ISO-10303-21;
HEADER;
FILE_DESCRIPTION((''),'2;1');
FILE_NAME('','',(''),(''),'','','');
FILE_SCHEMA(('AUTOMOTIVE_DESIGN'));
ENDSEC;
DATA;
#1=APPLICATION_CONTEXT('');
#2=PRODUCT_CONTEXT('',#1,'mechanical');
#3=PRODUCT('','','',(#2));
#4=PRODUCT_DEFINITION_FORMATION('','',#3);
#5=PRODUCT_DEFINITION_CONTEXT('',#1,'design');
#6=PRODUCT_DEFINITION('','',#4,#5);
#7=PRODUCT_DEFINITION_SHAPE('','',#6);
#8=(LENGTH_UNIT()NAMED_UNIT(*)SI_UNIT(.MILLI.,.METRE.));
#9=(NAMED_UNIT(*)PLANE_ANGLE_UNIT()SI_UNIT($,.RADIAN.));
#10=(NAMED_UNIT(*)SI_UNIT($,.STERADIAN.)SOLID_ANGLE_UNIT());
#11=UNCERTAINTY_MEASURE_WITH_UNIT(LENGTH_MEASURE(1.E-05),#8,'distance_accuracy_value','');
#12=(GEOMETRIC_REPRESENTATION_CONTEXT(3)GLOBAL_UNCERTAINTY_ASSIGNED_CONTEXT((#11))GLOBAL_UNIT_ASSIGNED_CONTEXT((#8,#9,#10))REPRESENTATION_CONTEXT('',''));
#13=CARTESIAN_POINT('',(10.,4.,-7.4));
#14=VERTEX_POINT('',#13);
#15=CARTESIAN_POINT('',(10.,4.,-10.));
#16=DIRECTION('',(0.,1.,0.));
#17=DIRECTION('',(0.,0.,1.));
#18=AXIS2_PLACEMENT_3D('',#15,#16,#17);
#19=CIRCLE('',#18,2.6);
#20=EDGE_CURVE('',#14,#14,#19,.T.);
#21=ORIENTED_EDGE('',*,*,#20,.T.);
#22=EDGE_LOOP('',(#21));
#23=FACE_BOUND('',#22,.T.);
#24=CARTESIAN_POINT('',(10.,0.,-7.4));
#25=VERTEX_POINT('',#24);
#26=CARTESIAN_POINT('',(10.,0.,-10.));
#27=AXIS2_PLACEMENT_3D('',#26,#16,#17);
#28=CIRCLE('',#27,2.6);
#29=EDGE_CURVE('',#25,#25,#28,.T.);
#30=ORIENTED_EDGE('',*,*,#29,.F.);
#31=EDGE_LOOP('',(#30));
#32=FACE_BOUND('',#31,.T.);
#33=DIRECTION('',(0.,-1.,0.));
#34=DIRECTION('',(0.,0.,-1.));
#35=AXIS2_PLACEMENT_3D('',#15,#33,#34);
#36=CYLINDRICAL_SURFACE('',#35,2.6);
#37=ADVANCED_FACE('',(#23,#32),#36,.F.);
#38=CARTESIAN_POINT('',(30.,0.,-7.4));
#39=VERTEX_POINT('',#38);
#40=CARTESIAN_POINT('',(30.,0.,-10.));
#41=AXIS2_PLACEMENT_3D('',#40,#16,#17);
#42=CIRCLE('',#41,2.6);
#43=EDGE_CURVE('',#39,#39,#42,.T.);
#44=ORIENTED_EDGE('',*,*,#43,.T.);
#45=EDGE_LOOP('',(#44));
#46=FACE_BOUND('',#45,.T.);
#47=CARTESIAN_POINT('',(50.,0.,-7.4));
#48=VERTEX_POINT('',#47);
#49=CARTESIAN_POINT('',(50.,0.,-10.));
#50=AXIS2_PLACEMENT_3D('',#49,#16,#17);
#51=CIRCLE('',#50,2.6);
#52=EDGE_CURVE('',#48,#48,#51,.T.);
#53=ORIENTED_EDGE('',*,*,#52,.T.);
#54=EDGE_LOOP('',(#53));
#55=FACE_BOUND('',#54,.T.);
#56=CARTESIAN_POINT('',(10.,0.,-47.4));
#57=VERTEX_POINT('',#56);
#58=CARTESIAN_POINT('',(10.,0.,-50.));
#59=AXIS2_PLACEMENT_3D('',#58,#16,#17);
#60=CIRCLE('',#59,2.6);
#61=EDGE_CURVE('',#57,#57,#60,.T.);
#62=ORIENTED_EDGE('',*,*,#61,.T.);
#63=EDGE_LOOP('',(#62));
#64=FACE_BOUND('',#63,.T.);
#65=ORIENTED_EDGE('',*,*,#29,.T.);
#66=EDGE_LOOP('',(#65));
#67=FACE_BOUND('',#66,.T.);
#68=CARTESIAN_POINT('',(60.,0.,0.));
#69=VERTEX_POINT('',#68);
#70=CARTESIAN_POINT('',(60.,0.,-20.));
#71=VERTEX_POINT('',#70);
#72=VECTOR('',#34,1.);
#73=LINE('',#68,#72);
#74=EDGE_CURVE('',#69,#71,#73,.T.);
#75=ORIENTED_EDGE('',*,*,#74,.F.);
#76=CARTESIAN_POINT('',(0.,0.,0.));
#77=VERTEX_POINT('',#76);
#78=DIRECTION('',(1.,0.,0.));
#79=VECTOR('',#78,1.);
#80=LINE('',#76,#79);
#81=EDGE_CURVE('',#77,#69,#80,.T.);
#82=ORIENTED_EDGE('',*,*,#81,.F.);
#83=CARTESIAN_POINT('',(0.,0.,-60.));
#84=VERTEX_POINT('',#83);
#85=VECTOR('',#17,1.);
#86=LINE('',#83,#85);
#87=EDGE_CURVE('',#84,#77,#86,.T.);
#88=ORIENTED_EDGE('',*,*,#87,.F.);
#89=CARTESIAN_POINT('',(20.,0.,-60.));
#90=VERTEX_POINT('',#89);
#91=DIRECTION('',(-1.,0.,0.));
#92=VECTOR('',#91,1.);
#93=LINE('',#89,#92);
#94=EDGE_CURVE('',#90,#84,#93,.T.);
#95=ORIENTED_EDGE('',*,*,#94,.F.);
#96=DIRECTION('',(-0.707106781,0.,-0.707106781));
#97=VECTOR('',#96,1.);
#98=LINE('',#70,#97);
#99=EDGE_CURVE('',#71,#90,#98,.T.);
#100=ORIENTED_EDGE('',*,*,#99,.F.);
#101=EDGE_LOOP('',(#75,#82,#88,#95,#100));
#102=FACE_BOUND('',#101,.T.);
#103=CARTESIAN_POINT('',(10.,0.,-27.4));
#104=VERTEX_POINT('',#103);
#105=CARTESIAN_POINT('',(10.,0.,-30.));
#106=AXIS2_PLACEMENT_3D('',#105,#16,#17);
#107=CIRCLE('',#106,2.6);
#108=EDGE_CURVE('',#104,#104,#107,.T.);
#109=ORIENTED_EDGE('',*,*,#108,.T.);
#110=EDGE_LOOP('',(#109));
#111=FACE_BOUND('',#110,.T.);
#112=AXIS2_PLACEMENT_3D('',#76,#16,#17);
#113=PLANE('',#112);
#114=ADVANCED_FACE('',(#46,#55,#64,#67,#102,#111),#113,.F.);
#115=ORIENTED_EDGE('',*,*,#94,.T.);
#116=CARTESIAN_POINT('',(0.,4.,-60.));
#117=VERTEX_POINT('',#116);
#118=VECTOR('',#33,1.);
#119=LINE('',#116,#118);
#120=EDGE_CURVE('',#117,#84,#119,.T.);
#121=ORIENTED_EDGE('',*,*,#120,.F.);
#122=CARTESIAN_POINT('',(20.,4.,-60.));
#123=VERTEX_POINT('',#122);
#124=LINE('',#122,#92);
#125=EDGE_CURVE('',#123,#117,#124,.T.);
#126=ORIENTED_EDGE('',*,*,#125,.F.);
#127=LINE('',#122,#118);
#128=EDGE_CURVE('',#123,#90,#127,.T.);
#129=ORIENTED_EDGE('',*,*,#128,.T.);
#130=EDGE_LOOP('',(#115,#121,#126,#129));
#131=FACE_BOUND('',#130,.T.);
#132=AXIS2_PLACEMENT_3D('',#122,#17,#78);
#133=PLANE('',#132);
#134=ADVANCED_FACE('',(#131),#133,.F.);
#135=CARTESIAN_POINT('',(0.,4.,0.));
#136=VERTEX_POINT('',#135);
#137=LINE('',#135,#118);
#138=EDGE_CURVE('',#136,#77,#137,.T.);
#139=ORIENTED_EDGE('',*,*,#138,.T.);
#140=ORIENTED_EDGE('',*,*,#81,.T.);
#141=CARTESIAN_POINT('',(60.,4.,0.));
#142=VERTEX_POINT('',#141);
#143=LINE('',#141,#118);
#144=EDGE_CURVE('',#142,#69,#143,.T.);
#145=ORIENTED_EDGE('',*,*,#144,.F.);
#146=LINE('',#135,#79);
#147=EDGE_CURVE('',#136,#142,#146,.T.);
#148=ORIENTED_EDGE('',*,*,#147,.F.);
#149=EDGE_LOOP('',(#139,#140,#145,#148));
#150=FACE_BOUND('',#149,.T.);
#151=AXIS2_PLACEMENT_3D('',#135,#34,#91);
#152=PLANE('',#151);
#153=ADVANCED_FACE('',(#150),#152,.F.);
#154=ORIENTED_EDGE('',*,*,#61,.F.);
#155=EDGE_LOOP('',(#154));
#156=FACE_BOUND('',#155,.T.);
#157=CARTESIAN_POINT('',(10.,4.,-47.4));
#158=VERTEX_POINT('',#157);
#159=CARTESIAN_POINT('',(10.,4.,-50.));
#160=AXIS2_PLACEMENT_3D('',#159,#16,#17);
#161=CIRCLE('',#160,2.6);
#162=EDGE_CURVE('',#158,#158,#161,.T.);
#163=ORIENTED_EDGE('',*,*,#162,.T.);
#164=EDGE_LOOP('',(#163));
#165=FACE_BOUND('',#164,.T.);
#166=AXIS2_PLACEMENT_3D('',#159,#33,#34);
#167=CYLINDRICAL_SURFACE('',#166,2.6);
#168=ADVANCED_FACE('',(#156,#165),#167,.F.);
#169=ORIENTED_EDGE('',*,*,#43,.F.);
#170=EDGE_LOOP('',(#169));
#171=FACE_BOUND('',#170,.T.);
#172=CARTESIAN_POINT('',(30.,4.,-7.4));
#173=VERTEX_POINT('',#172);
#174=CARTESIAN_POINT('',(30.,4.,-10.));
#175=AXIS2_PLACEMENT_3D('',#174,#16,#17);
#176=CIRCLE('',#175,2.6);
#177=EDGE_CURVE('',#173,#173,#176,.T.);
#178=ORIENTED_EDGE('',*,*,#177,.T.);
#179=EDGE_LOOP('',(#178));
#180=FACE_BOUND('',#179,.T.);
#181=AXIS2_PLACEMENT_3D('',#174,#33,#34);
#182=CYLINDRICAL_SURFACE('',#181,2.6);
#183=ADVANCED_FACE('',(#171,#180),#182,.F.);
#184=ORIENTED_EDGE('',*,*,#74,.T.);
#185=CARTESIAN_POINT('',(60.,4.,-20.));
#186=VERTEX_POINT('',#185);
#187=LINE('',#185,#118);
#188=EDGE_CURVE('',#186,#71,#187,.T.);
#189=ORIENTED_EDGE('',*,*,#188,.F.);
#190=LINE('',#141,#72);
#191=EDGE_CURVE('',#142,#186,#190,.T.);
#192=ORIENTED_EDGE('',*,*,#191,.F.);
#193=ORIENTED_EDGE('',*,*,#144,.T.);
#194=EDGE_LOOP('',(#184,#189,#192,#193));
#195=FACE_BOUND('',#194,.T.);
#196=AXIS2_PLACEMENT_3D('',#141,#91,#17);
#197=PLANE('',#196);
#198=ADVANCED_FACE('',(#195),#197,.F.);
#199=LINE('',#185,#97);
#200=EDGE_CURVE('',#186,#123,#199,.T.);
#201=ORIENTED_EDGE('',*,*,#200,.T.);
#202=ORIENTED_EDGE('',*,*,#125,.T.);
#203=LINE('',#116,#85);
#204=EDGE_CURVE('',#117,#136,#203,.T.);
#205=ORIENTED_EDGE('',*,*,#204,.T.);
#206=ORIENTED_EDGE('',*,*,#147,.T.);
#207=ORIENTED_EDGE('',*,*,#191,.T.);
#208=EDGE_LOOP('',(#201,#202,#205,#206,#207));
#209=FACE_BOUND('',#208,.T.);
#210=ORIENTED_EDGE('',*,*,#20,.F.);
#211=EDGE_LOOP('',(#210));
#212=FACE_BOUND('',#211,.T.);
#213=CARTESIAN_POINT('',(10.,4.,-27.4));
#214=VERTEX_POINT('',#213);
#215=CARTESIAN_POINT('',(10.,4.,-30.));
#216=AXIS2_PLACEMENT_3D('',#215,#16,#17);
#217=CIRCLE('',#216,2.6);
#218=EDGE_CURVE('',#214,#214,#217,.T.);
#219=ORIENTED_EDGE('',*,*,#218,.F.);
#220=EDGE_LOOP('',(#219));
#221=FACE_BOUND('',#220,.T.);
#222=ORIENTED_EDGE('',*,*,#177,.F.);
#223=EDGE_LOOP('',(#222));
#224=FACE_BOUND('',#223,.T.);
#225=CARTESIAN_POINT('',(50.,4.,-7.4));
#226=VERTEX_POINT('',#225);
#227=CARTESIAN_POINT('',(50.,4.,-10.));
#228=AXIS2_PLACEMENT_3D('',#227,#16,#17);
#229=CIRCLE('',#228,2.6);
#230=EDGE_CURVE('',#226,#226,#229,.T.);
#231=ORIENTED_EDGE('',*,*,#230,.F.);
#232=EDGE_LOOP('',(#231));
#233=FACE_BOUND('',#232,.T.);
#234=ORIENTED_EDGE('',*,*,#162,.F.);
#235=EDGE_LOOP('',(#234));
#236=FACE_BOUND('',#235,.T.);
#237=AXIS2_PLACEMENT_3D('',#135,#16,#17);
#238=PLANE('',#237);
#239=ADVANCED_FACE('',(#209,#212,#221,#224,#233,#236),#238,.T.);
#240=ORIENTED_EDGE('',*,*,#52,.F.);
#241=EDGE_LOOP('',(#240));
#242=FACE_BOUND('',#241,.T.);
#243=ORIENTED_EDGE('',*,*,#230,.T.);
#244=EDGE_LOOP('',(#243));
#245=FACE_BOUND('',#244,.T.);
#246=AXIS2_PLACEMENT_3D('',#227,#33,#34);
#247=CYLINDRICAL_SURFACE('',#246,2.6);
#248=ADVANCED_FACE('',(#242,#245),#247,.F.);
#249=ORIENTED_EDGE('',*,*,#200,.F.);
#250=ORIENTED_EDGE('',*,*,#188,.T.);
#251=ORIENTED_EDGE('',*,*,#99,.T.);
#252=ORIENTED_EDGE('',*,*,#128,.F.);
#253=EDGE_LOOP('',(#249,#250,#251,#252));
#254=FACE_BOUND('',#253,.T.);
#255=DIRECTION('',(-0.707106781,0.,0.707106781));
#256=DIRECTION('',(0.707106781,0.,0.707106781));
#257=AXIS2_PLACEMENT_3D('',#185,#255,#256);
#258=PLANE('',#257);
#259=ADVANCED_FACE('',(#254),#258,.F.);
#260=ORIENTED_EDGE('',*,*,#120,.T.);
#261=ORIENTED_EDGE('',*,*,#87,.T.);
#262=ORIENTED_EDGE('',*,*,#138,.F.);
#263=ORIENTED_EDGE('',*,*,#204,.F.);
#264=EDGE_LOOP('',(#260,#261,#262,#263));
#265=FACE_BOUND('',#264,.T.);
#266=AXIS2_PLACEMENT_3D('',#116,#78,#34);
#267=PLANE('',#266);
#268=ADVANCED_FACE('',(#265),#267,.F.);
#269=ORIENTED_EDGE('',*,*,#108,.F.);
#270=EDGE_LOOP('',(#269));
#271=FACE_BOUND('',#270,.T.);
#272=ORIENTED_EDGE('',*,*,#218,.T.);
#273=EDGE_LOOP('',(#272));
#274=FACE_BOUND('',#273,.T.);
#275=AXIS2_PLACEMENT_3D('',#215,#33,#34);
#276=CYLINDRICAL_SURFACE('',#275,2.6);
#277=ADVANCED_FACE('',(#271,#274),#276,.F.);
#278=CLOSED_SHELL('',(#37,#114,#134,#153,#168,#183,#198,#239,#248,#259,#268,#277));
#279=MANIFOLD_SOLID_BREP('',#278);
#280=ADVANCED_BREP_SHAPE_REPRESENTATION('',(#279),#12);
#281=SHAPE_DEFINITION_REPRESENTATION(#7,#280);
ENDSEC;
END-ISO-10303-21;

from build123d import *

# Parameters (mm, degrees)
SKETCH1_R           = 2.6
BOSS_EXTRUDE1_DEPTH = 4


with BuildPart() as part:
    # Sketch1 → Boss-Extrude1 (new body)
    with BuildSketch(Plane(origin=(0, 0, 0), x_dir=(1, 0, 0), z_dir=(0, 1, 0))):
        Polygon((0, 0), (60, 0), (60, 20), (20, 60), (0, 60), align=None)
        with Locations((10, 10)):
            Circle(SKETCH1_R, mode=Mode.SUBTRACT)
        with Locations((30, 10)):
            Circle(SKETCH1_R, mode=Mode.SUBTRACT)
        with Locations((50, 10)):
            Circle(SKETCH1_R, mode=Mode.SUBTRACT)
        with Locations((10, 30)):
            Circle(SKETCH1_R, mode=Mode.SUBTRACT)
        with Locations((10, 50)):
            Circle(SKETCH1_R, mode=Mode.SUBTRACT)
    extrude(amount=BOSS_EXTRUDE1_DEPTH)


solid = part.part
